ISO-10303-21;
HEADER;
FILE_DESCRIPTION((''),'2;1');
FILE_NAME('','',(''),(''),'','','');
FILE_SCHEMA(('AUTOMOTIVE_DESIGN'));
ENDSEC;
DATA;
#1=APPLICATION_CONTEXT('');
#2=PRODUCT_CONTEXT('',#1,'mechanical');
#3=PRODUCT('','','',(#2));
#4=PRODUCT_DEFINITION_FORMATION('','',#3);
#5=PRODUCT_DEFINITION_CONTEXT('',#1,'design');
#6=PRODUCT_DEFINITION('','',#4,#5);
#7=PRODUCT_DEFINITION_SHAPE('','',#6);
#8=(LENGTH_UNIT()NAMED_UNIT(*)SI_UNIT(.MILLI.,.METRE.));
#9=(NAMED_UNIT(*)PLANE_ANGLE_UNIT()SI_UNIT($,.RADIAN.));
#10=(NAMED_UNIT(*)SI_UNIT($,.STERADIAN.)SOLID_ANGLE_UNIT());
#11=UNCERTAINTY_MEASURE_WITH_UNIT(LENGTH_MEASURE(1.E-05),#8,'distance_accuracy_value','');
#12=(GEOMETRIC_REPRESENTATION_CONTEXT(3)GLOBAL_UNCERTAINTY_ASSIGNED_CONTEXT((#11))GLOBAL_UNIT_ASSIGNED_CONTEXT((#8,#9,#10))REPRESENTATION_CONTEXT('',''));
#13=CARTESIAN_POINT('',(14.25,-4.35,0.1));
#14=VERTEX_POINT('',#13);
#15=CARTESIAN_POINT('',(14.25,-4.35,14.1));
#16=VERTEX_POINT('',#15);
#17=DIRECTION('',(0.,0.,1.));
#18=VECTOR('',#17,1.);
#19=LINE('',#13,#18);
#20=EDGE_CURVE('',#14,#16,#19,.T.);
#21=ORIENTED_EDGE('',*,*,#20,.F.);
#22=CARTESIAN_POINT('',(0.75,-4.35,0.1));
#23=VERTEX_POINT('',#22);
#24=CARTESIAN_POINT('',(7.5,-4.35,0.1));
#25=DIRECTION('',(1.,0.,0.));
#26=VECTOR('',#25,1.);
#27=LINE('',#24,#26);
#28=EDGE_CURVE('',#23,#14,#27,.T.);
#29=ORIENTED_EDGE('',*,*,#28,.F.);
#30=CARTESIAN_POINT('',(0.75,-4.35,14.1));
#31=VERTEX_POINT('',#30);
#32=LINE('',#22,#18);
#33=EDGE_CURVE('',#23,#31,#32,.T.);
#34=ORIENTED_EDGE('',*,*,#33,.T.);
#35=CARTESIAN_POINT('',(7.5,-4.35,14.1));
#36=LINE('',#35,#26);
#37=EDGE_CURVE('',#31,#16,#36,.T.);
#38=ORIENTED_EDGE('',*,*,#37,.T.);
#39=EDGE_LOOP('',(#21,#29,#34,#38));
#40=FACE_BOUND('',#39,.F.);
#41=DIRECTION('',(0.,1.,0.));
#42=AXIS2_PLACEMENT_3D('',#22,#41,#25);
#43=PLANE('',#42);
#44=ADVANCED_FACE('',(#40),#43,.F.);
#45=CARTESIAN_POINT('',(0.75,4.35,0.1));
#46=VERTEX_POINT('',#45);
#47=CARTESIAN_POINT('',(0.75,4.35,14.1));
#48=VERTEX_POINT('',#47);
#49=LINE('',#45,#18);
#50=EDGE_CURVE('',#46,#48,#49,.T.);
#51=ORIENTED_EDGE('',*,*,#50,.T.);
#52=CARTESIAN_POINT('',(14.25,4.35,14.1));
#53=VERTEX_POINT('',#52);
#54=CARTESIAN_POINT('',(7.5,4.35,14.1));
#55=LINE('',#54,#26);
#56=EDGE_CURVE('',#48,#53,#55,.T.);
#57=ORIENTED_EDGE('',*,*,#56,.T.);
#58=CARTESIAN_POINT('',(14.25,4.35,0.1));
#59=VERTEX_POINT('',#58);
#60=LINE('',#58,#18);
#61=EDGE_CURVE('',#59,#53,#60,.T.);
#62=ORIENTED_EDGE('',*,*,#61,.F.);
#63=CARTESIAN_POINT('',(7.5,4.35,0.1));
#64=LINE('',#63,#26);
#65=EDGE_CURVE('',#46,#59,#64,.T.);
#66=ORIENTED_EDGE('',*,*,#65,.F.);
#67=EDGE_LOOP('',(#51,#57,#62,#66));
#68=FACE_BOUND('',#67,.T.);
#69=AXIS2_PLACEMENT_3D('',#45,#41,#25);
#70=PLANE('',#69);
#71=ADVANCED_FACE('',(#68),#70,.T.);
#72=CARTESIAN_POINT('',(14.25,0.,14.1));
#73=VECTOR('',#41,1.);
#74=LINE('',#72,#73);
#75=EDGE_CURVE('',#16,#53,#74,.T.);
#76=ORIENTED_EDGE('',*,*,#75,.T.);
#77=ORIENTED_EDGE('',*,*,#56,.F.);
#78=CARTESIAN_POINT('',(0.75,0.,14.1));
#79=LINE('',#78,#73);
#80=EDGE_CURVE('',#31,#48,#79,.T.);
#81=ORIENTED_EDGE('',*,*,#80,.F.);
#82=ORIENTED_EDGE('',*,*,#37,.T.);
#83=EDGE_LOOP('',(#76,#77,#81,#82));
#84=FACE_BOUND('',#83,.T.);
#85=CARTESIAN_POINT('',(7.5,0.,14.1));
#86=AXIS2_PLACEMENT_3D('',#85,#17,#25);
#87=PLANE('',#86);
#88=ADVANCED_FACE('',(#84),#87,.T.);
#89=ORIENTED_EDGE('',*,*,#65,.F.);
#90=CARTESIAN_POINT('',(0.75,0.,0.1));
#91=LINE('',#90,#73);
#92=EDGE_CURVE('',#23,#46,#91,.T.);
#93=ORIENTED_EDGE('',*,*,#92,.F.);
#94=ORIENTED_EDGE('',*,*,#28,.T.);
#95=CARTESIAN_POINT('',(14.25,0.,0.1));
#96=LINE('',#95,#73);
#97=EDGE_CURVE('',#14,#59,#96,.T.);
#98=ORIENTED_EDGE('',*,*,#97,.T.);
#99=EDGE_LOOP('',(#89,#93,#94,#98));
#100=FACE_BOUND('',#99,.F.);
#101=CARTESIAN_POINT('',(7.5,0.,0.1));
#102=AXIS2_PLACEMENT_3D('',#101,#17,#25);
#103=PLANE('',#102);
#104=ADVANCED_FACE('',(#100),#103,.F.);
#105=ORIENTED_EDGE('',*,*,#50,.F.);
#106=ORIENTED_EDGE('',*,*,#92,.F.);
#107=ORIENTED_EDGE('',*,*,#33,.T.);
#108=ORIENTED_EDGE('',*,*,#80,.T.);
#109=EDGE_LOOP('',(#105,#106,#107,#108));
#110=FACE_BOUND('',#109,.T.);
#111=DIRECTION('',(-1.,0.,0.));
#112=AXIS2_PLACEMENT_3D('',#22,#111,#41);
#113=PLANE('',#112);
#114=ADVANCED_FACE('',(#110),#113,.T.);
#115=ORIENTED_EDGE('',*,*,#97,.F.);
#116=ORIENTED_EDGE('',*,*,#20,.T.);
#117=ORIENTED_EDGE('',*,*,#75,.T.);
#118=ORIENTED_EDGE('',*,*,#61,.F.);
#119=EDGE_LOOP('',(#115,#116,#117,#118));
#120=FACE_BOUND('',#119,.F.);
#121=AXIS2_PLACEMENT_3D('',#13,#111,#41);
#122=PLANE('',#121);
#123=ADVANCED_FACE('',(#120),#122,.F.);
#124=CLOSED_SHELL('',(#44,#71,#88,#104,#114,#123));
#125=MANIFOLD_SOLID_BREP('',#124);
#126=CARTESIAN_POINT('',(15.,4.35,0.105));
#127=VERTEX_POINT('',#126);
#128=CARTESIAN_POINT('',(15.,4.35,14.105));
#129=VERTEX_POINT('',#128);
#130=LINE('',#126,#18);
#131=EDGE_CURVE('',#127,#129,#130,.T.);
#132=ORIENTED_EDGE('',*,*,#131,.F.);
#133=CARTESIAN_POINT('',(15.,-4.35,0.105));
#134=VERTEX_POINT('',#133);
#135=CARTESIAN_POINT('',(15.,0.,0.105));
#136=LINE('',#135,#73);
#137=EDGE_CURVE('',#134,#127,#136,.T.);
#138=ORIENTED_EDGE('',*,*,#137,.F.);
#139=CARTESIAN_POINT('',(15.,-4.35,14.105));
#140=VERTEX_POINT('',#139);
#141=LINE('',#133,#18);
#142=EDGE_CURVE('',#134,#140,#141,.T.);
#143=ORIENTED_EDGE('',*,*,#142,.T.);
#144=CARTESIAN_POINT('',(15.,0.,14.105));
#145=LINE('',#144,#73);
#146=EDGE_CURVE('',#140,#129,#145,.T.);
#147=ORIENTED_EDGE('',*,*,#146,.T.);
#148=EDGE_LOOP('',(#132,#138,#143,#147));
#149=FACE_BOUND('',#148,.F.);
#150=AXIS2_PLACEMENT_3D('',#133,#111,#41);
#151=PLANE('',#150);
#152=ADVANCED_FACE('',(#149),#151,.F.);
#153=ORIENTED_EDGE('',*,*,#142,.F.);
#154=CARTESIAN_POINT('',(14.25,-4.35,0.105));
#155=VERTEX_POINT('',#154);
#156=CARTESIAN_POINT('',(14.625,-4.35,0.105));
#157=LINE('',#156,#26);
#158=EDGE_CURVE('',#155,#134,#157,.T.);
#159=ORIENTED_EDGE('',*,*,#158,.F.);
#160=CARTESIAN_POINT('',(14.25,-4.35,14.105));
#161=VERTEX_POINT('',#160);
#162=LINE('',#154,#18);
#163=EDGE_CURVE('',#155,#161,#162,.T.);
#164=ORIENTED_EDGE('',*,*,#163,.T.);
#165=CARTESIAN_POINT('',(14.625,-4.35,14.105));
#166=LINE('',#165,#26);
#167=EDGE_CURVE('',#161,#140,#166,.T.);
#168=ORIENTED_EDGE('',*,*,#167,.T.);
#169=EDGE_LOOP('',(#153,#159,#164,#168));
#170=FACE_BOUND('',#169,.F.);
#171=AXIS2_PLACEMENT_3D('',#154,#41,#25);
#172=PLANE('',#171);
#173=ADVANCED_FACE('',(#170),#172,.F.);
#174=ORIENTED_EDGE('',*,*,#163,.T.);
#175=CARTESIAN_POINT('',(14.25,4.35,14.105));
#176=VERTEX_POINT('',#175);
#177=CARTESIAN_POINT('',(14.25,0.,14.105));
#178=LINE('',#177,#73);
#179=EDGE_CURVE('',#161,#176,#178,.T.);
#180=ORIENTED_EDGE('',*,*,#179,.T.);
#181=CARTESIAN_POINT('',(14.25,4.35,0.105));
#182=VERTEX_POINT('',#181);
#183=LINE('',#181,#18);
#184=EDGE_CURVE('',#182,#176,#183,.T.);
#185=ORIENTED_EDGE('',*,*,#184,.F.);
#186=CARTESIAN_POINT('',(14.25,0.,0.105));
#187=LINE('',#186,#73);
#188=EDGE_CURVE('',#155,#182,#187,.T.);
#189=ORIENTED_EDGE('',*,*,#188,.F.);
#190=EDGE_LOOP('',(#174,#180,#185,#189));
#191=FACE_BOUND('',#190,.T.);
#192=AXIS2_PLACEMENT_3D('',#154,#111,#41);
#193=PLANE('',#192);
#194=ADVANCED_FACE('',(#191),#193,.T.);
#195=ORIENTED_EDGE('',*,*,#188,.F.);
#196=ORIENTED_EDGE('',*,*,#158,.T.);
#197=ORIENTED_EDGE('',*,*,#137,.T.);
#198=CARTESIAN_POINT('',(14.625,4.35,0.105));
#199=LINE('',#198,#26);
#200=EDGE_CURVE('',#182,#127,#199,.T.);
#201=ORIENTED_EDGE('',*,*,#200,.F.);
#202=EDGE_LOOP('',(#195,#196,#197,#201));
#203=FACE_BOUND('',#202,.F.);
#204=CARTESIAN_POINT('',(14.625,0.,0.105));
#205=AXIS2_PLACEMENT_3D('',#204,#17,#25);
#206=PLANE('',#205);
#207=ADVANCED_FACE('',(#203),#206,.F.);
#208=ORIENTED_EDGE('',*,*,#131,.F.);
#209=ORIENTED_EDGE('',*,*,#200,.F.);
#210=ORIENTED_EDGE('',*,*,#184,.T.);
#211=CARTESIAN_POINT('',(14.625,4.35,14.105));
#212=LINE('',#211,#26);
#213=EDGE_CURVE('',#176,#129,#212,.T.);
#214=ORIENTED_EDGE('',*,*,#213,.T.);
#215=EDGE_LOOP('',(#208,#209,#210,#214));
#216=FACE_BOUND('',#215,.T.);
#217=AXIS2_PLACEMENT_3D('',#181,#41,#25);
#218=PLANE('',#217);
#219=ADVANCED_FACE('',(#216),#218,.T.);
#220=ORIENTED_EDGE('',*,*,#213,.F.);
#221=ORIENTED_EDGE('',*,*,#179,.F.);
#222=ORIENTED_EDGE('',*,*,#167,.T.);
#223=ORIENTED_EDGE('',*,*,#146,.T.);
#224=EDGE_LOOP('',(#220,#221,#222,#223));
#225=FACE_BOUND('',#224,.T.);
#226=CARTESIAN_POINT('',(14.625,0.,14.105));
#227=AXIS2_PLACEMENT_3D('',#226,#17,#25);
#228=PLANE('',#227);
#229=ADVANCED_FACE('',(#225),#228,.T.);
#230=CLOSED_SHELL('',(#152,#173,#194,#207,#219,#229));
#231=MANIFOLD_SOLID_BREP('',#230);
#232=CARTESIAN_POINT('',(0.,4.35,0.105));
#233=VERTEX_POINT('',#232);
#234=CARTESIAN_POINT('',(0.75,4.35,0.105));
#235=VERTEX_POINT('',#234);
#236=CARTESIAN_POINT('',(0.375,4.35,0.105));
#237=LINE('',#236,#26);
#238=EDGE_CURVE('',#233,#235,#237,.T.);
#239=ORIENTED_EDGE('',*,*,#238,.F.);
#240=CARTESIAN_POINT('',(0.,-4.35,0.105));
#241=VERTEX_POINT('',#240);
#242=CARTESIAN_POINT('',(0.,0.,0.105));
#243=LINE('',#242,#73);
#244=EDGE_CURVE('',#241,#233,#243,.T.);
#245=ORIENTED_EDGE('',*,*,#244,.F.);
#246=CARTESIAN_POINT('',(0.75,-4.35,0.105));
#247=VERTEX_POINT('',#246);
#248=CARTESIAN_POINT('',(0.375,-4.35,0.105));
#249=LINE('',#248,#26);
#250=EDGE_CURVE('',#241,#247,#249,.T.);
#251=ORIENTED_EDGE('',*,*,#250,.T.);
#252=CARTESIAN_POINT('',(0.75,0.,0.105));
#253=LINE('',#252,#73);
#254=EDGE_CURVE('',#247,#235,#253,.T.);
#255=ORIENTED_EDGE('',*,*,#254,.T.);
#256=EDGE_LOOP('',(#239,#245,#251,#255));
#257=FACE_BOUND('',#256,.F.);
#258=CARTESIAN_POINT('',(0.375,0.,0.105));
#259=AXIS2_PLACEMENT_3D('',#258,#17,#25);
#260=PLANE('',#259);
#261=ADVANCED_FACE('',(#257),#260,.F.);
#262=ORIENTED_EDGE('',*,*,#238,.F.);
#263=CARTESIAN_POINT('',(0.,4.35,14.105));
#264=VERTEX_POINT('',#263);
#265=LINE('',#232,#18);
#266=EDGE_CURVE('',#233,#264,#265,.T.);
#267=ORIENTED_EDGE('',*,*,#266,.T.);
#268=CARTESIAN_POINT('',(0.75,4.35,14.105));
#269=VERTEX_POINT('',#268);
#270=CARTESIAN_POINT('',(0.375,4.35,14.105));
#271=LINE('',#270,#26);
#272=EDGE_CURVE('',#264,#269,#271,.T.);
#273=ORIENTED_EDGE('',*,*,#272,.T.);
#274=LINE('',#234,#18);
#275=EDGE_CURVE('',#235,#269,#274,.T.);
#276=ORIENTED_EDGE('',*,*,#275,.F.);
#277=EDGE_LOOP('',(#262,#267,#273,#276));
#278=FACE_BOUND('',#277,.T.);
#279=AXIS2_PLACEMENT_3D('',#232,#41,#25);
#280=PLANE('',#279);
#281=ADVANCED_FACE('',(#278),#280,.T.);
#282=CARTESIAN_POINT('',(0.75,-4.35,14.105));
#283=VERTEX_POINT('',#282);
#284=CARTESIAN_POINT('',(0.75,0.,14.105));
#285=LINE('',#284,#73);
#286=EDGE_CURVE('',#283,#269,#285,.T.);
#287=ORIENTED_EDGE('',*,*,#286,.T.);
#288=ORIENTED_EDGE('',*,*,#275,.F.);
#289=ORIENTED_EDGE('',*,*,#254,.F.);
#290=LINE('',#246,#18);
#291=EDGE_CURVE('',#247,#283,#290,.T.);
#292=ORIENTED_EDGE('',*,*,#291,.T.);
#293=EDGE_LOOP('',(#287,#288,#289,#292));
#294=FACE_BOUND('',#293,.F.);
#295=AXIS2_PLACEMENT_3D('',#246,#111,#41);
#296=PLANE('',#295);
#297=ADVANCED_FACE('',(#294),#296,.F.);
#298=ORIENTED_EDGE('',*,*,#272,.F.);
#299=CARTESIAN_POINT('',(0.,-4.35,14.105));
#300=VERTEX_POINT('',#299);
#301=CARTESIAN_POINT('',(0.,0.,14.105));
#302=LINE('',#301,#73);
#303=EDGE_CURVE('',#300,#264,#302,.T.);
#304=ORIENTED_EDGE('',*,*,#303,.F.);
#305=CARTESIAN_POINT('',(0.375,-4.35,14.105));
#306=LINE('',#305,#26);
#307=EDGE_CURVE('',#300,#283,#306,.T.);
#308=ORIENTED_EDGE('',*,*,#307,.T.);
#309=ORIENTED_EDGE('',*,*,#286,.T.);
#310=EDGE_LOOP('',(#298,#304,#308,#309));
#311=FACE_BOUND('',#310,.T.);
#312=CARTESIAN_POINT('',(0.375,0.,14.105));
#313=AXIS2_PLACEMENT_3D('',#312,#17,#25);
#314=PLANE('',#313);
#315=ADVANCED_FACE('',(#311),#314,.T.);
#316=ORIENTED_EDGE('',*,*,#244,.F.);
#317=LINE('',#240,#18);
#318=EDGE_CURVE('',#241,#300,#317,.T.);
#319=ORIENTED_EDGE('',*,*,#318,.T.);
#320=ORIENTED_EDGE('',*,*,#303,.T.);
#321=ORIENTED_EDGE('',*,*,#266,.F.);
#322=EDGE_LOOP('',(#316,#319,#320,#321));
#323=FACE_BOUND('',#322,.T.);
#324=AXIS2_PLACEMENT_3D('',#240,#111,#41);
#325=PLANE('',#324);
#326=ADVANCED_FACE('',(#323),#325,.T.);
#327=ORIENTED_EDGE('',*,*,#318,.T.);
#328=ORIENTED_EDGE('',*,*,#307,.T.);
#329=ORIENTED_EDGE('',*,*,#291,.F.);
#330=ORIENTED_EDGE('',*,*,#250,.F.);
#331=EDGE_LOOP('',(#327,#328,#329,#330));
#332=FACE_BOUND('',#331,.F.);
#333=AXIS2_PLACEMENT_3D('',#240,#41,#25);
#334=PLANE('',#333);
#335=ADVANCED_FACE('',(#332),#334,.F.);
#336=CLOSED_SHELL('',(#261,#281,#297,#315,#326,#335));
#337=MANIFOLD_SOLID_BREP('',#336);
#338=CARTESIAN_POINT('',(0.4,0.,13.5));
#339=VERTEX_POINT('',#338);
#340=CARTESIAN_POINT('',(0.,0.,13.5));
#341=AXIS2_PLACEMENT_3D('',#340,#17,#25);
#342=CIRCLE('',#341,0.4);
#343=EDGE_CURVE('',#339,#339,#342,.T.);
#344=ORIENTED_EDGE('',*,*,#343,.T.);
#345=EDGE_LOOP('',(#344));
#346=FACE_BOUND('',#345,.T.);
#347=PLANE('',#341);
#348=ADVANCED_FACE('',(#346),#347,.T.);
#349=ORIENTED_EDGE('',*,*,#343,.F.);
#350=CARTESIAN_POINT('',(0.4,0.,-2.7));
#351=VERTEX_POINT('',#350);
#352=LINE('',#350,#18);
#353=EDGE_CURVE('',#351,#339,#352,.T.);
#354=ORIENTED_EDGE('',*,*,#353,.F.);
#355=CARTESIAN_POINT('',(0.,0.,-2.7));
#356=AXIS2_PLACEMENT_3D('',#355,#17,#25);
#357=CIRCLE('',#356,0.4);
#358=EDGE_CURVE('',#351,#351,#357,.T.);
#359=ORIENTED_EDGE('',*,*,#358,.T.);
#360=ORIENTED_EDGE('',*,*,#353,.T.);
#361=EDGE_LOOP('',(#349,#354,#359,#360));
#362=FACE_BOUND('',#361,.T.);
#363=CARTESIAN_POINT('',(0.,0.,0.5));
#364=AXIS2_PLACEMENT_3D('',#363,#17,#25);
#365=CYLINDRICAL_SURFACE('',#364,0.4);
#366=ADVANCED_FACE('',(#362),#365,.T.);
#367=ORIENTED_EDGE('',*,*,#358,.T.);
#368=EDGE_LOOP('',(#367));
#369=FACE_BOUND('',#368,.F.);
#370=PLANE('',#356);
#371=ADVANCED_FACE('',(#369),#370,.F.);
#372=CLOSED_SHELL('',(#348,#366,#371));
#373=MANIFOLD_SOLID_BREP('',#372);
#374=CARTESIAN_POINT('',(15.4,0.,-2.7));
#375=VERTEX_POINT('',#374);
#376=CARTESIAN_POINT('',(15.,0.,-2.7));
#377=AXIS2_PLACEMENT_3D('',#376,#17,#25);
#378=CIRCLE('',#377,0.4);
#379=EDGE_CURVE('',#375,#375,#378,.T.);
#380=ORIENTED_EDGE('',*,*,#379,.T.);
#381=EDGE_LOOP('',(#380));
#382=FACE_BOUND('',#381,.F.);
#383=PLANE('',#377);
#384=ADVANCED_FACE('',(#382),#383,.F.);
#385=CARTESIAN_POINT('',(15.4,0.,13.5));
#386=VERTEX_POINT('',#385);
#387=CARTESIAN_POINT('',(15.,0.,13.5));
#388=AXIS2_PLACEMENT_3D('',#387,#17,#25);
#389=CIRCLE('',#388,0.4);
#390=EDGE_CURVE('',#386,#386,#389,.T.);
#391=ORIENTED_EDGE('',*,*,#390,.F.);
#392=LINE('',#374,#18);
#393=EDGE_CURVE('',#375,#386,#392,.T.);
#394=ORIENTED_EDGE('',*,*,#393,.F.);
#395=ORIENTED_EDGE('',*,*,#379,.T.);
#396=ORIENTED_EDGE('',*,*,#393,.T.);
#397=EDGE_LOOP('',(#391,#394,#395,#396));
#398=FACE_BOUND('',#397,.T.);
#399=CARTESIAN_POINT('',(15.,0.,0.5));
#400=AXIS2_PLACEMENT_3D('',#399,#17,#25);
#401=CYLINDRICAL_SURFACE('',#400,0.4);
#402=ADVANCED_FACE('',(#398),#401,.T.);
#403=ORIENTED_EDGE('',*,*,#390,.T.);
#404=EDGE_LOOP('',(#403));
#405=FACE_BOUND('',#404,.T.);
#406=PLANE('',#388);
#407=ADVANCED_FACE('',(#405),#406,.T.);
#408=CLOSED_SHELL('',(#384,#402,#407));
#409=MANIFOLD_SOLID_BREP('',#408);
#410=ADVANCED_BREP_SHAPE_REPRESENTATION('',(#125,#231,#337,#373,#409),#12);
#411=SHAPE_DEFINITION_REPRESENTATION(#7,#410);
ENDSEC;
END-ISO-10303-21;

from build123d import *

# Parameters (mm, degrees)
SKETCH_W          = 13.5
SKETCH_H          = 8.7
PAD_DEPTH         = 14
SKETCH001_R       = 0.4
PAD001_DEPTH      = 13
PAD001_DEPTH_BACK = 3.2
SKETCH002_W       = 0.75
SKETCH002_H       = 8.7
PAD002_DEPTH      = 14


with BuildPart() as pad:
    # Sketch → Pad (new body)
    with BuildSketch(Plane.XY.offset(0.1)):
        with Locations((7.5, 0)):
            Rectangle(SKETCH_W, SKETCH_H)
    extrude(amount=PAD_DEPTH)


with BuildPart() as pad001:
    # Sketch001 → Pad001 (new body, two sides)
    with BuildSketch(Plane.XY.offset(0.5)) as pad001_sk:
        Circle(SKETCH001_R)
        with Locations((15, 0)):
            Circle(SKETCH001_R)
    extrude(amount=PAD001_DEPTH)
    extrude(pad001_sk.sketch, amount=-PAD001_DEPTH_BACK)


with BuildPart() as pad002:
    # Sketch002 → Pad002 (new body)
    with BuildSketch(Plane.XY.offset(0.105)):
        with Locations((0.375, 0)):
            Rectangle(SKETCH002_W, SKETCH002_H)
        with Locations((14.625, 0)):
            Rectangle(SKETCH002_W, SKETCH002_H)
    extrude(amount=PAD002_DEPTH)


solid = Compound([pad.part, pad001.part, pad002.part])
